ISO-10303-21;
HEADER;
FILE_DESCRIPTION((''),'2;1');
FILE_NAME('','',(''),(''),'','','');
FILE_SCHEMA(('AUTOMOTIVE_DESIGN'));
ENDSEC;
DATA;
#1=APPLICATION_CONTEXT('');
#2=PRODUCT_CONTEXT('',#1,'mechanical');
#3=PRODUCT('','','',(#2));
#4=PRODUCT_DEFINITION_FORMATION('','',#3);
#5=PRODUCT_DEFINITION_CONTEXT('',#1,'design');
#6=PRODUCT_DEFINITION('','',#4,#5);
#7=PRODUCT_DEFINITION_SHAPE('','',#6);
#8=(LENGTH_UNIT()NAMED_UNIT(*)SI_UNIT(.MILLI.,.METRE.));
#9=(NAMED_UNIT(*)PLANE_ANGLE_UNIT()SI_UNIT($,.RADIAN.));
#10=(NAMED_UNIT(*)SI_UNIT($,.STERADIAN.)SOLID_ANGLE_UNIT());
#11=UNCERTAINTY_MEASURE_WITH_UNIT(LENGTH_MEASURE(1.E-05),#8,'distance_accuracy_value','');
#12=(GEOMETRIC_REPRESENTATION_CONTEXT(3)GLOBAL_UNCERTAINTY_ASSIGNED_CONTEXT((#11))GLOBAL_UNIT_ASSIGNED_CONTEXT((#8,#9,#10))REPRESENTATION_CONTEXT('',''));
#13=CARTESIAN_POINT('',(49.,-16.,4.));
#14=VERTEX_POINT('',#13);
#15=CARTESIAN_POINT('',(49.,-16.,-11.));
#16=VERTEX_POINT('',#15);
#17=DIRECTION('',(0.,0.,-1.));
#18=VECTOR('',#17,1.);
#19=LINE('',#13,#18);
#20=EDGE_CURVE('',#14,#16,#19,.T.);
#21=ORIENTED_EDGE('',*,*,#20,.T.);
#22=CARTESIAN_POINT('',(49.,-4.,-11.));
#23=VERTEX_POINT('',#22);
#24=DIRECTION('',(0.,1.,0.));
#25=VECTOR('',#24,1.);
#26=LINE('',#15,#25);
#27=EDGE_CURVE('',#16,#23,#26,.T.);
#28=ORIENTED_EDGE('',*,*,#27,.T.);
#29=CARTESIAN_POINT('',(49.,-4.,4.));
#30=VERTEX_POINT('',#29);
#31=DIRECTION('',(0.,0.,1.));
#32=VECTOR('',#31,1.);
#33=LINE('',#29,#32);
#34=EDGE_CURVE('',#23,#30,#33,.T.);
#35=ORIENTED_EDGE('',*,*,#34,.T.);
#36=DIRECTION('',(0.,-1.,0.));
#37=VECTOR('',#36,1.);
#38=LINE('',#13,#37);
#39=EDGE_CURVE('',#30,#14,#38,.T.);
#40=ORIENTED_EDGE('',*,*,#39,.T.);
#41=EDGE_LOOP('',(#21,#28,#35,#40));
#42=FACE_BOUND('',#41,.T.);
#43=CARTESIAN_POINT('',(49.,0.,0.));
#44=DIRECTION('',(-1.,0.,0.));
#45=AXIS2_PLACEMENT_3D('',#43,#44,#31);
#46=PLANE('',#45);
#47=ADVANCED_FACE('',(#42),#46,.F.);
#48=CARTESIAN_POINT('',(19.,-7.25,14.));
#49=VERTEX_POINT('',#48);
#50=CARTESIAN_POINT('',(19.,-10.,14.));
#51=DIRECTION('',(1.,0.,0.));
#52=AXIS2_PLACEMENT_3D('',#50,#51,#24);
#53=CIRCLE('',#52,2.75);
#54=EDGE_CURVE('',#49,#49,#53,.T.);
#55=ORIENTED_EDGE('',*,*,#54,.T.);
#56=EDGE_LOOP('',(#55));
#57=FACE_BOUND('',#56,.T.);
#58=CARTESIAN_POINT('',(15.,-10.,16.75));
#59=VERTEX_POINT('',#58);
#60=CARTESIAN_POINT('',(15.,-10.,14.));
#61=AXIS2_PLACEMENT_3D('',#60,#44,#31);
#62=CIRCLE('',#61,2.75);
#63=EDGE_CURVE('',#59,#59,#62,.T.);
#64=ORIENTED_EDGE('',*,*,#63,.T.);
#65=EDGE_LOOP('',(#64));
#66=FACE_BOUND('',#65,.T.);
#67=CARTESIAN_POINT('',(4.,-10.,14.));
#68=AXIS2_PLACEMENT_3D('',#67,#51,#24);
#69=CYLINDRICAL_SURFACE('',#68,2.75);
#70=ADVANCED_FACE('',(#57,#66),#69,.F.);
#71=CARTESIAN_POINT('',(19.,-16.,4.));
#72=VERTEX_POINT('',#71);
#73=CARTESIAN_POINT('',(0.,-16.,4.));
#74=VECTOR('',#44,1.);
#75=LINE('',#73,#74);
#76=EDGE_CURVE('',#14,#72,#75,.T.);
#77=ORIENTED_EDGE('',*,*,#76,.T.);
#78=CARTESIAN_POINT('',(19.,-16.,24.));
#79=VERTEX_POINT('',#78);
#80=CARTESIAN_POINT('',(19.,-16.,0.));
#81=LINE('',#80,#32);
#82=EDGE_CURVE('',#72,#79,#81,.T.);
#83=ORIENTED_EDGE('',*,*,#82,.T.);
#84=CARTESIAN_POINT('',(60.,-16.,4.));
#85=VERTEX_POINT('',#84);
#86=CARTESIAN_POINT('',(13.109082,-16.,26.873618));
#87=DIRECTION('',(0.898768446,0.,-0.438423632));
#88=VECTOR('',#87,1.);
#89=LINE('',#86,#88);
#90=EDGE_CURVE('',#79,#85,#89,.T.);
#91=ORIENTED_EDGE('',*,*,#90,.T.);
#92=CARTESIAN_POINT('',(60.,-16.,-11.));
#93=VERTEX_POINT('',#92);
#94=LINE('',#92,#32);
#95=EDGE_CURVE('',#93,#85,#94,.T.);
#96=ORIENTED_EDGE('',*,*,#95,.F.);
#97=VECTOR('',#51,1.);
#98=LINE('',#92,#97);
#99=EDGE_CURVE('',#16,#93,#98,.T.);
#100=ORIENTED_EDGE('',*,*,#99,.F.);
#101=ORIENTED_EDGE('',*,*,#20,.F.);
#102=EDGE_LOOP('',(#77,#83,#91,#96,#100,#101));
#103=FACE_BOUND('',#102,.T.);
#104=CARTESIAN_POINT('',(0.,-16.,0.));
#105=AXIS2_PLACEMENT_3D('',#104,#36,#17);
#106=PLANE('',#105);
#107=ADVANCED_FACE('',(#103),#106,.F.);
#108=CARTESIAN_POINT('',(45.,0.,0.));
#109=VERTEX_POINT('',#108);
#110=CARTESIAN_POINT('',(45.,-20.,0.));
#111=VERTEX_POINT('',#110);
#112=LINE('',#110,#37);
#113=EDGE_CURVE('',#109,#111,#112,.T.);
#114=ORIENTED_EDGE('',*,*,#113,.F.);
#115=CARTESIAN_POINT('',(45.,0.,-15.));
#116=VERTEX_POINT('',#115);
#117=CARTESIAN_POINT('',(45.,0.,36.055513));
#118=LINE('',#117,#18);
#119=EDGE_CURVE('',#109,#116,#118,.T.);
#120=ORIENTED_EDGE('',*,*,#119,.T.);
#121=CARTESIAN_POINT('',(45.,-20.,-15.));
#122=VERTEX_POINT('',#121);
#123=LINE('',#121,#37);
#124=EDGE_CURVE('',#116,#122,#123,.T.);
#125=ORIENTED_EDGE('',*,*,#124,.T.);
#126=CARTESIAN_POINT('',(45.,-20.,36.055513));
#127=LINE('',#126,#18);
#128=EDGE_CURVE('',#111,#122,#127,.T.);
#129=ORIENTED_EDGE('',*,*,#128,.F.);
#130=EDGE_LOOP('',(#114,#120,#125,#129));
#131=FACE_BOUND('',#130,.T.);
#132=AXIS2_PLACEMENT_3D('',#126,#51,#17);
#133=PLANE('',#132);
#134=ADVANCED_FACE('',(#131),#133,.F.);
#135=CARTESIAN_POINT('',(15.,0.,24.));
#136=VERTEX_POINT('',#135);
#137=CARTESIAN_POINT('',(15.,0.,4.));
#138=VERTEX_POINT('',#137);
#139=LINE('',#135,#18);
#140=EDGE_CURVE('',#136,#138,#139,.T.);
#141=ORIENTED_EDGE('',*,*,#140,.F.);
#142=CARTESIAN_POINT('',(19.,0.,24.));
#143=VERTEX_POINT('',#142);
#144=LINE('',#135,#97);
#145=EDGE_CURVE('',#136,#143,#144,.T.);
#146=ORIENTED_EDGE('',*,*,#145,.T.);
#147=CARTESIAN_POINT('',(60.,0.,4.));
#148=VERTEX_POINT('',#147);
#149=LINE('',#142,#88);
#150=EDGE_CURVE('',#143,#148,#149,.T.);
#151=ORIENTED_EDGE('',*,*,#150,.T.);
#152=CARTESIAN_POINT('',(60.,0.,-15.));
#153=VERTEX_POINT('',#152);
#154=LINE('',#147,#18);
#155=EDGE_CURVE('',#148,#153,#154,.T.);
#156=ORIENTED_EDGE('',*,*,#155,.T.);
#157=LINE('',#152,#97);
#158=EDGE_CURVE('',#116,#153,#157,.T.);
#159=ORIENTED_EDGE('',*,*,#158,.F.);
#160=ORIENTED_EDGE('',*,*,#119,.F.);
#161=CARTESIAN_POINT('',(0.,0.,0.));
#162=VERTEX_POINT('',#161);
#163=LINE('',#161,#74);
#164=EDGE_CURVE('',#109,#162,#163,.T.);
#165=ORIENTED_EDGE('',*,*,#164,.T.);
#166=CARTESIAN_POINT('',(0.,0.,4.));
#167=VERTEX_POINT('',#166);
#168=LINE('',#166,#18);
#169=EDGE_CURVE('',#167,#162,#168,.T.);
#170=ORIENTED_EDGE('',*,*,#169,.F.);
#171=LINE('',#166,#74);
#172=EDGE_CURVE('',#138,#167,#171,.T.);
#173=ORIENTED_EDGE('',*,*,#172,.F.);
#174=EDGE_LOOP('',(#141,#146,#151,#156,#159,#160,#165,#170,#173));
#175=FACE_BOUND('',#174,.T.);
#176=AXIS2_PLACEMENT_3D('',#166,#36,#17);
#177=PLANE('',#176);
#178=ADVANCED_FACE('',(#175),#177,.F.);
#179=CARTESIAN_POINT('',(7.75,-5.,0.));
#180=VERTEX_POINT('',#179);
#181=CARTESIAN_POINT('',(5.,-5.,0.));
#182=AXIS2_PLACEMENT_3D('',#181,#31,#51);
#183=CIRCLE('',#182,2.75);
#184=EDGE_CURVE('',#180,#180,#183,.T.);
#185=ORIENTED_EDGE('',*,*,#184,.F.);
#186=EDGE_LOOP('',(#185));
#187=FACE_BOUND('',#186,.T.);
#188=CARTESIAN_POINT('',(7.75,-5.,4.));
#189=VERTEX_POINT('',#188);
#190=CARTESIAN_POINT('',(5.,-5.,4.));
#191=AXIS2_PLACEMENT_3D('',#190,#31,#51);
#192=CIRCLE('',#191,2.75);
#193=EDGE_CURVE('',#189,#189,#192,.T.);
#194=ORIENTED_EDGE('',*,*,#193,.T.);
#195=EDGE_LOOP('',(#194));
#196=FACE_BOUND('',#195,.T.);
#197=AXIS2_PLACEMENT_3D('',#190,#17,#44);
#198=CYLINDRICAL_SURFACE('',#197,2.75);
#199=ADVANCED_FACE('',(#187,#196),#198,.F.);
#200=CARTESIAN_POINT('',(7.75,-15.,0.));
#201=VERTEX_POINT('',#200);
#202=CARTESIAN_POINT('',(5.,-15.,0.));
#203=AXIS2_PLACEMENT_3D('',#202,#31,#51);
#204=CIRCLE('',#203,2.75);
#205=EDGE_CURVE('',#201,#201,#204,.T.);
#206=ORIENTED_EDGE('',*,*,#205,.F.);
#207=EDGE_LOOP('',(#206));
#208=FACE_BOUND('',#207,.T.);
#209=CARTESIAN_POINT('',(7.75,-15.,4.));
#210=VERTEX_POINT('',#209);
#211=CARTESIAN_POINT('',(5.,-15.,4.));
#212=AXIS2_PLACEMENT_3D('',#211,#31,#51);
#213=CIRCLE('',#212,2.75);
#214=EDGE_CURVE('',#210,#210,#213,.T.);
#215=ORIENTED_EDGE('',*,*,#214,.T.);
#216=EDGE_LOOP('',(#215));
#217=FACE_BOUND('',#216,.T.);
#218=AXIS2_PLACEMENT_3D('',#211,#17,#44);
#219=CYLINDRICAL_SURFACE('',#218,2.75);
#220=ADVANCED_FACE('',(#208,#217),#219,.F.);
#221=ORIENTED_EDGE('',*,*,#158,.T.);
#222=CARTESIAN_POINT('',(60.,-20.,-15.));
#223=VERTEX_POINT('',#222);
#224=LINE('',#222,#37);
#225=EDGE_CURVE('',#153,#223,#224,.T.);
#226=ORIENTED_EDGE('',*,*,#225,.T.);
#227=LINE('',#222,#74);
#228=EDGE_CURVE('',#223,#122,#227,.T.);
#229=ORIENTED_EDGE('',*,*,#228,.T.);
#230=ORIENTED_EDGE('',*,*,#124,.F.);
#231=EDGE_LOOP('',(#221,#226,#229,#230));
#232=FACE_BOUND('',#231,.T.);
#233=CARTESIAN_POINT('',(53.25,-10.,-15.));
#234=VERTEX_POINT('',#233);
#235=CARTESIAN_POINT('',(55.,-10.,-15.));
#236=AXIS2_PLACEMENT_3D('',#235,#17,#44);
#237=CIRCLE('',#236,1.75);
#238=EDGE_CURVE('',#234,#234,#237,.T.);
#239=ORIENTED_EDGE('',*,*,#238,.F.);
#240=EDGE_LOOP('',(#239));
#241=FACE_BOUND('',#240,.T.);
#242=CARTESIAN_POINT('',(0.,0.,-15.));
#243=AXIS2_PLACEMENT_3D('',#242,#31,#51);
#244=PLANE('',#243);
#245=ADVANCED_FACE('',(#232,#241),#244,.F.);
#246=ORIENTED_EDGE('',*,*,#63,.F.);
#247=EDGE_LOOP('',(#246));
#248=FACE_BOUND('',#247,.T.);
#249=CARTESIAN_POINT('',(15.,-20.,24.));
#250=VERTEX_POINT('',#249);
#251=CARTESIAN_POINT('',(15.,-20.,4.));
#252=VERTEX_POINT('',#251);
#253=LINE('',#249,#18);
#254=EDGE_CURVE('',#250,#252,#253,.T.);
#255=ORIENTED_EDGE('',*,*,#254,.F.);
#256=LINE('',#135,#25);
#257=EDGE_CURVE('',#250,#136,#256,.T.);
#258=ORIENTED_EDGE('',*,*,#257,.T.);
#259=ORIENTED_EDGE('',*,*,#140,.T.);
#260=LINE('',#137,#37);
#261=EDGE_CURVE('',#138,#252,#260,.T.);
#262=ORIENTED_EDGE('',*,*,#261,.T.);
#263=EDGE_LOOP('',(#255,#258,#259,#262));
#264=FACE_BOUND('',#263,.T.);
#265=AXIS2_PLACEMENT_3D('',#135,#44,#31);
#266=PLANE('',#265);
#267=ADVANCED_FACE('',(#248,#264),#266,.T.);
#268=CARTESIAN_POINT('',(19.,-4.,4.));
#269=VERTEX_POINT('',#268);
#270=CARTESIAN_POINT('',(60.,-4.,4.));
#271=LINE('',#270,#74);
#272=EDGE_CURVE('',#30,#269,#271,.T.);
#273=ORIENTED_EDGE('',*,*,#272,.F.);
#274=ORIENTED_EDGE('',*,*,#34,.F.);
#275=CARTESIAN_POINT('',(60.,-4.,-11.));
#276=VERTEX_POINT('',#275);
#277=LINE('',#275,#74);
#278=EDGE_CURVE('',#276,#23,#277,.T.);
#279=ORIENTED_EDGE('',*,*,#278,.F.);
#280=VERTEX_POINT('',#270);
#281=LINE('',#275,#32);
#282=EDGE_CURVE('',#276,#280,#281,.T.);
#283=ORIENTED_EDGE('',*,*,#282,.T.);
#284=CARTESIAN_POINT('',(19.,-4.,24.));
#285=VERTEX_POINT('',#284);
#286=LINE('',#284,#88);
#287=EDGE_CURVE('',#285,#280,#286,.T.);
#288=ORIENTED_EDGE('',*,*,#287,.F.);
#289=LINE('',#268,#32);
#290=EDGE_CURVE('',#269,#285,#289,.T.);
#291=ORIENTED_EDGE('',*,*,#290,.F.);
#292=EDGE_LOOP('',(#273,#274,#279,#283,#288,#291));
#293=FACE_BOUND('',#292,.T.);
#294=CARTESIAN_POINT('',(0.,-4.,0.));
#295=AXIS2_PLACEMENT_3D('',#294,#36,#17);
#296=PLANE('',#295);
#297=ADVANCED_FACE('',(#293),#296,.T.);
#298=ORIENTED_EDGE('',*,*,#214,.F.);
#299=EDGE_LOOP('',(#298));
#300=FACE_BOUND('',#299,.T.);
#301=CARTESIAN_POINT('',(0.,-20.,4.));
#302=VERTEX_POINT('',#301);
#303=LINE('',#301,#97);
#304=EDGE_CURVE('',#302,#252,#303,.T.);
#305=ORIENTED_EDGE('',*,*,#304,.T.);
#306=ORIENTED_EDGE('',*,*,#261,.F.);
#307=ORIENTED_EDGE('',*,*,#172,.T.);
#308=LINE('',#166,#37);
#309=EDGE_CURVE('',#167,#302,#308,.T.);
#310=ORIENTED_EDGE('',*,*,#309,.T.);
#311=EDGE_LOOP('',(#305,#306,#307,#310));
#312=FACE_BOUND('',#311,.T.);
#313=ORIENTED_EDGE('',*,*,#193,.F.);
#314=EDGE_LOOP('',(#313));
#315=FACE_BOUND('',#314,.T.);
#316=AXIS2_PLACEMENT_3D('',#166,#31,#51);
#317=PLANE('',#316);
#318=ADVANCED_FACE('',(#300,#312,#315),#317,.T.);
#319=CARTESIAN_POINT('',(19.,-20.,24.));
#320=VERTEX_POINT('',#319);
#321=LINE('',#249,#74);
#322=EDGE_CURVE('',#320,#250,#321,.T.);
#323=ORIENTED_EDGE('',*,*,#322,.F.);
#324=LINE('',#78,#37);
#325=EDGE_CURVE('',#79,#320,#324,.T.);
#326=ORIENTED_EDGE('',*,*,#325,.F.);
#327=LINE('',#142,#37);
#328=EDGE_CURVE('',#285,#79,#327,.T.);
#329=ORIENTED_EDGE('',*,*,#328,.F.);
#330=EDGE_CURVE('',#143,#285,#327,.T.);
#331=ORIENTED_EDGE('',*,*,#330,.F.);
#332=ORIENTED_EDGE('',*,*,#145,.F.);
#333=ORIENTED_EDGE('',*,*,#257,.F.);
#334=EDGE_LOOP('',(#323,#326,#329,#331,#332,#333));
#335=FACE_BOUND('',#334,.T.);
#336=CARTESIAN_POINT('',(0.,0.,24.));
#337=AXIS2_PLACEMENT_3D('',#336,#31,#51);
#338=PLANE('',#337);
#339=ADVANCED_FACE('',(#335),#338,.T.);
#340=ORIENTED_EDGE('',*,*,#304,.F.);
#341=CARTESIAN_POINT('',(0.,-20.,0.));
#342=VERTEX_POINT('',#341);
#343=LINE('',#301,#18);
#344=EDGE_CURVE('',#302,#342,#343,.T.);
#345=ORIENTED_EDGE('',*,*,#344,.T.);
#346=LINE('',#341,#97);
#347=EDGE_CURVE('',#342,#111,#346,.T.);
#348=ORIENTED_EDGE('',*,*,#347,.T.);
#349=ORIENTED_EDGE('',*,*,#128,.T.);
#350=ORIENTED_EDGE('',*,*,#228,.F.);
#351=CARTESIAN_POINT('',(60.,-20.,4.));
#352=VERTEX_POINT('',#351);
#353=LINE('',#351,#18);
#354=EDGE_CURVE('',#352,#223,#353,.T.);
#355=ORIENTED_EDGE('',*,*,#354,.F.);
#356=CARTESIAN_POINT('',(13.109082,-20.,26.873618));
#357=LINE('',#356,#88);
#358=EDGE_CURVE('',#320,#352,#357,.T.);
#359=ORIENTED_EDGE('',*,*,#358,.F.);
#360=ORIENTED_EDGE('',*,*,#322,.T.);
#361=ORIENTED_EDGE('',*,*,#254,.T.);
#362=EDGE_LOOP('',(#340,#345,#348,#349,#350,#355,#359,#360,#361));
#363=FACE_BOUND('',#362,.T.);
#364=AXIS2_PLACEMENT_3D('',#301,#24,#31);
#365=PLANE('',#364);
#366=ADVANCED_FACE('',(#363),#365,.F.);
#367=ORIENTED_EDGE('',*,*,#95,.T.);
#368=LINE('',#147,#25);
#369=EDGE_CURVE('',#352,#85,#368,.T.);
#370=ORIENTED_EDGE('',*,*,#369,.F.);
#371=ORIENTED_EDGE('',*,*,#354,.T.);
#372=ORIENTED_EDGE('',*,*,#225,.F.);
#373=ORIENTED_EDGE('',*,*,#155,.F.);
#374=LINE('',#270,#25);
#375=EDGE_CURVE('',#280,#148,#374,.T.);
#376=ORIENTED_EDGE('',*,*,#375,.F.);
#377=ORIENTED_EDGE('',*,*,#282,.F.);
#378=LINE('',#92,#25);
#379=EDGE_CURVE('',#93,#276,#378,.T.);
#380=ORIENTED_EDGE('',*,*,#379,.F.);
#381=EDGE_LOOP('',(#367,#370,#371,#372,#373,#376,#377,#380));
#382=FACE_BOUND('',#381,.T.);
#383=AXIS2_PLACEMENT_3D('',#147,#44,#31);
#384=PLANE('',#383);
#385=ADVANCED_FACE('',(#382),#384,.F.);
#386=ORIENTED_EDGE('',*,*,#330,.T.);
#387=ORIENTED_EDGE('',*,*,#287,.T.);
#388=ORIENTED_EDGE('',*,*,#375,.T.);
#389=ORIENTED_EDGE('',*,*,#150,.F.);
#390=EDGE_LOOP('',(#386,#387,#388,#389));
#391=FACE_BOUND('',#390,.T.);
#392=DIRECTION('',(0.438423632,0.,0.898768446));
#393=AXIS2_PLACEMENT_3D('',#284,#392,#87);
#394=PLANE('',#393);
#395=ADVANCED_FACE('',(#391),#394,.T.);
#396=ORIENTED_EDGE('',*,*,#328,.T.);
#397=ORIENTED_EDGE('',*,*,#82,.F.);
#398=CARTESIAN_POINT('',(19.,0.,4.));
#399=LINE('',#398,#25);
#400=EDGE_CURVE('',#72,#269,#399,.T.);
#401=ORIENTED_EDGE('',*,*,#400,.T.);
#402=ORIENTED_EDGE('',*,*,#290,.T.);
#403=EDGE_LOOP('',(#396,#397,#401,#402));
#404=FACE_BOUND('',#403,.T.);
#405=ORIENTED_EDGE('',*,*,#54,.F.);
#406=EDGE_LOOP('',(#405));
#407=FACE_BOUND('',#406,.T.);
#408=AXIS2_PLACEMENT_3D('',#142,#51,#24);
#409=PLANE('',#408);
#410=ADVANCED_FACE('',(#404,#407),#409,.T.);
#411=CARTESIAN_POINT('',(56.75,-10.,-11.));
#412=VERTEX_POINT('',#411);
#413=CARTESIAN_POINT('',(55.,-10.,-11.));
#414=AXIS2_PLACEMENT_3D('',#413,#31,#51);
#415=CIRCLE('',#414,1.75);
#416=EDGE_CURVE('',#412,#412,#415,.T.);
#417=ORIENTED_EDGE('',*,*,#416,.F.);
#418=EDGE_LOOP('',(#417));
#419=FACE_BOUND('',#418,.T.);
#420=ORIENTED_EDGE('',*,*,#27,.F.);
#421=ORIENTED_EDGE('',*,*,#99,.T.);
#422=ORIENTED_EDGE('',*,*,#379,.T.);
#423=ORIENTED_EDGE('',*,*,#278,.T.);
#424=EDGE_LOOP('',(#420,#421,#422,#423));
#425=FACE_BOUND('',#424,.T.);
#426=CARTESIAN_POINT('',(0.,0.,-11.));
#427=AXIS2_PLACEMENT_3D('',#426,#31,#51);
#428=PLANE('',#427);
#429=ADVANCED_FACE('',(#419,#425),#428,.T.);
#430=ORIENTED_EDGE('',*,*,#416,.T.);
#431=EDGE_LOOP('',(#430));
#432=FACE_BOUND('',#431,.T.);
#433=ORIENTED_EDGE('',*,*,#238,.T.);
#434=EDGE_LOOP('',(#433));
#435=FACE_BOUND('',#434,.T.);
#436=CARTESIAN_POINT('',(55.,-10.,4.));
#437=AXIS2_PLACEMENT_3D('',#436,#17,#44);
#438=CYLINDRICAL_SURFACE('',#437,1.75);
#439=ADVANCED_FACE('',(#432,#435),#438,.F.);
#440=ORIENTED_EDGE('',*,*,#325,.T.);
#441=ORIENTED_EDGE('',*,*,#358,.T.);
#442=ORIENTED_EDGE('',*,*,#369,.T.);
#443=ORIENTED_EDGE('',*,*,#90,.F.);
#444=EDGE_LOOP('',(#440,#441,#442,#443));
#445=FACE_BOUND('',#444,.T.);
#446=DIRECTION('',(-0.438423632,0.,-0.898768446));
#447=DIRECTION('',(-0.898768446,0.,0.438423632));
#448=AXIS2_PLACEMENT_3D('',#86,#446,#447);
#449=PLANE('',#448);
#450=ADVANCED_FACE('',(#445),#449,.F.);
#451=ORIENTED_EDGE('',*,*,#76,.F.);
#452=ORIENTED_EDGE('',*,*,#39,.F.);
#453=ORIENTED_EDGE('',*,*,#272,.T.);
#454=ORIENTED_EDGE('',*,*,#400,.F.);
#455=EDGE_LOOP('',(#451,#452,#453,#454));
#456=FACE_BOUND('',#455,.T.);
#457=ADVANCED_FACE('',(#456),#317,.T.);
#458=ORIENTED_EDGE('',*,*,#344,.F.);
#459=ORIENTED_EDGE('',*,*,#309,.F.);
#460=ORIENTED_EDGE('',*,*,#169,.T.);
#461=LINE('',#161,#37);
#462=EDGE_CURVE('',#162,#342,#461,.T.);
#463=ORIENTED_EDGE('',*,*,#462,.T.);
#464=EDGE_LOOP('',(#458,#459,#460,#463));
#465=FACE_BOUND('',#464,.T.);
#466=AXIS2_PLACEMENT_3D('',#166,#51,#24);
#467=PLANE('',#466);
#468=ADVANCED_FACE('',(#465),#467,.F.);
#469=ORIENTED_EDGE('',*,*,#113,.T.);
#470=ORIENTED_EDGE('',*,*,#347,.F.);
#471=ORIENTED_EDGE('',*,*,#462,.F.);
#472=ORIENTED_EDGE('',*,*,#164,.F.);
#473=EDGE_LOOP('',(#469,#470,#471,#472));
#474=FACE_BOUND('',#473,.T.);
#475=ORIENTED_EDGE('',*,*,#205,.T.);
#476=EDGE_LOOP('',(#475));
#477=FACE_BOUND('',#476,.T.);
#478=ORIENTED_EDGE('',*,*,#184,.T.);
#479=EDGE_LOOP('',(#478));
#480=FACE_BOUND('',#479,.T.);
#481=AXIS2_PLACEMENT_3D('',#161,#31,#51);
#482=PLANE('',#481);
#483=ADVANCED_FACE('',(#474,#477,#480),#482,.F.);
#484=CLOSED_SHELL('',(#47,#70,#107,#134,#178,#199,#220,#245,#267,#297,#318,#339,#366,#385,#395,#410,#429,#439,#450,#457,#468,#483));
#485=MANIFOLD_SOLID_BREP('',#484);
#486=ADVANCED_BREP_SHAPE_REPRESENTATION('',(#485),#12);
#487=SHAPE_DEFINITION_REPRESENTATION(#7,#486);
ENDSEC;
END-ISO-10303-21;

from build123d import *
from build123d.topology import SkipClean

# Parameters (mm, degrees)
SKETCH_1_W          = 60
SKETCH_1_H          = 20
SKETCH_1_R          = 2.75
SKETCH_1_R_2        = 1.75
EXTRUDE_1_DEPTH     = 4
SKETCH_2_W          = 4
SKETCH_2_H          = 20
EXTRUDE_2_DEPTH     = 24
EXTRUDE_3_DEPTH     = 4
EXTRUDE_4_DEPTH     = 4
EXTRUDE_START       = 15
SKETCH_5_W          = 45
SKETCH_5_H          = 20
SKETCH_5_R          = 1.75
EXTRUDE_5_DEPTH     = 15
SKETCH_6_W          = 40
SKETCH_6_H          = 12
CUT_EXTRUDE_1_DEPTH = 15
SKETCH_7_R          = 2.75
CUT_EXTRUDE_2_DEPTH = 15
CUT_EXTRUDE_3_REACH = 76.303
SKETCH_8_W          = 30
SKETCH_8_H          = 20
SKETCH_10_W         = 26
SKETCH_10_H         = 12
EXTRUDE_6_DEPTH     = 4
SKETCH_11_W         = 15
SKETCH_11_H         = 12
EXTRUDE_7_DEPTH     = 4


with BuildPart() as part:
    # 草图1 → 凸台-拉伸1 (new body)
    with BuildSketch(Plane.XY):
        with Locations((30, -10)):
            Rectangle(SKETCH_1_W, SKETCH_1_H)
        with Locations((5, -5)):
            Circle(SKETCH_1_R, mode=Mode.SUBTRACT)
        with Locations((5, -15)):
            Circle(SKETCH_1_R, mode=Mode.SUBTRACT)
        with Locations((55, -10)):
            Circle(SKETCH_1_R_2, mode=Mode.SUBTRACT)
    extrude(amount=EXTRUDE_1_DEPTH)

    # 草图2 → 凸台-拉伸2 (add)
    with BuildSketch(Plane(origin=(0, 0, 0), x_dir=(-1, 0, 0), z_dir=(0, 0, -1))):
        with Locations((-17, -10)):
            Rectangle(SKETCH_2_W, SKETCH_2_H)
    extrude(amount=-EXTRUDE_2_DEPTH)

    # 草图3 → 凸台-拉伸3 (add)
    with BuildSketch(Plane.XZ.offset(20)):
        Polygon((19, 24), (60, 4), (19, 4), align=None)
    extrude(amount=-EXTRUDE_3_DEPTH)

    # 草图4 → 凸台-拉伸4 (add)
    with BuildSketch(Plane(origin=(0, 0, 0), x_dir=(1, 0, 0), z_dir=(0, 1, 0))):
        Polygon((19, -24), (60, -4), (19, -4), align=None)
    extrude(amount=-EXTRUDE_4_DEPTH)

    # 草图5 → 凸台-拉伸5 (add)
    with SkipClean():  # the faces are left unmerged after this step: merging them gives an invalid solid
        with BuildSketch(Plane(origin=(0, 0, 0), x_dir=(-1, 0, 0), z_dir=(0, 0, -1)).offset(EXTRUDE_START)):
            with Locations((-37.5, -10)):
                Rectangle(SKETCH_5_W, SKETCH_5_H)
            with Locations((-55, -10)):
                Circle(SKETCH_5_R, mode=Mode.SUBTRACT)
        extrude(amount=-EXTRUDE_5_DEPTH)

    # 草图6 → 切除-拉伸1 (cut)
    with BuildSketch(Plane.XY.offset(4)):
        with Locations((40, -10)):
            Rectangle(SKETCH_6_W, SKETCH_6_H)
    extrude(amount=-CUT_EXTRUDE_1_DEPTH, mode=Mode.SUBTRACT)

    # 草图7 → 切除-拉伸2 (cut)
    with BuildSketch(Plane(origin=(19, 0, 0), x_dir=(0, 0, -1), z_dir=(1, 0, 0))):
        with Locations(Location((-14, -10, 0), (0, 0, 90))):
            Circle(SKETCH_7_R)
    extrude(amount=-CUT_EXTRUDE_2_DEPTH, mode=Mode.SUBTRACT)

    # 切除-拉伸3: up to this face of the body (flat: up to its plane)
    cut_extrude_3_end = Plane(part.part.faces().sort_by_distance((7.970492187, -10, 0))[0])
    # 草图8 → 切除-拉伸3 (cut, up to the picked face)
    with BuildSketch(Plane(origin=(0, 0, -15), x_dir=(-1, 0, 0), z_dir=(0, 0, -1)), mode=Mode.PRIVATE) as cut_extrude_3_sk1:
        with Locations((-30, -10)):
            Rectangle(SKETCH_8_W, SKETCH_8_H)
    cut_extrude_3_tool1 = split(extrude(cut_extrude_3_sk1.sketch, amount=-CUT_EXTRUDE_3_REACH, mode=Mode.PRIVATE), bisect_by=cut_extrude_3_end, keep=Keep.BOTH, mode=Mode.PRIVATE)
    add(cut_extrude_3_tool1.solids().sort_by(Axis((30, -10, -15), (0, 0, 1)))[0], mode=Mode.SUBTRACT)

    # 草图10 → 凸台-拉伸6 (add)
    with BuildSketch(Plane.XY.offset(4)):
        with Locations((32, -10)):
            Rectangle(SKETCH_10_W, SKETCH_10_H)
    extrude(amount=-EXTRUDE_6_DEPTH)

    # 草图11 → 凸台-拉伸7 (add)
    with BuildSketch(Plane(origin=(45, 0, 0), x_dir=(0, 0, -1), z_dir=(1, 0, 0))):
        with Locations((3.5, -10)):
            Rectangle(SKETCH_11_W, SKETCH_11_H)
    extrude(amount=EXTRUDE_7_DEPTH)


solid = part.part
